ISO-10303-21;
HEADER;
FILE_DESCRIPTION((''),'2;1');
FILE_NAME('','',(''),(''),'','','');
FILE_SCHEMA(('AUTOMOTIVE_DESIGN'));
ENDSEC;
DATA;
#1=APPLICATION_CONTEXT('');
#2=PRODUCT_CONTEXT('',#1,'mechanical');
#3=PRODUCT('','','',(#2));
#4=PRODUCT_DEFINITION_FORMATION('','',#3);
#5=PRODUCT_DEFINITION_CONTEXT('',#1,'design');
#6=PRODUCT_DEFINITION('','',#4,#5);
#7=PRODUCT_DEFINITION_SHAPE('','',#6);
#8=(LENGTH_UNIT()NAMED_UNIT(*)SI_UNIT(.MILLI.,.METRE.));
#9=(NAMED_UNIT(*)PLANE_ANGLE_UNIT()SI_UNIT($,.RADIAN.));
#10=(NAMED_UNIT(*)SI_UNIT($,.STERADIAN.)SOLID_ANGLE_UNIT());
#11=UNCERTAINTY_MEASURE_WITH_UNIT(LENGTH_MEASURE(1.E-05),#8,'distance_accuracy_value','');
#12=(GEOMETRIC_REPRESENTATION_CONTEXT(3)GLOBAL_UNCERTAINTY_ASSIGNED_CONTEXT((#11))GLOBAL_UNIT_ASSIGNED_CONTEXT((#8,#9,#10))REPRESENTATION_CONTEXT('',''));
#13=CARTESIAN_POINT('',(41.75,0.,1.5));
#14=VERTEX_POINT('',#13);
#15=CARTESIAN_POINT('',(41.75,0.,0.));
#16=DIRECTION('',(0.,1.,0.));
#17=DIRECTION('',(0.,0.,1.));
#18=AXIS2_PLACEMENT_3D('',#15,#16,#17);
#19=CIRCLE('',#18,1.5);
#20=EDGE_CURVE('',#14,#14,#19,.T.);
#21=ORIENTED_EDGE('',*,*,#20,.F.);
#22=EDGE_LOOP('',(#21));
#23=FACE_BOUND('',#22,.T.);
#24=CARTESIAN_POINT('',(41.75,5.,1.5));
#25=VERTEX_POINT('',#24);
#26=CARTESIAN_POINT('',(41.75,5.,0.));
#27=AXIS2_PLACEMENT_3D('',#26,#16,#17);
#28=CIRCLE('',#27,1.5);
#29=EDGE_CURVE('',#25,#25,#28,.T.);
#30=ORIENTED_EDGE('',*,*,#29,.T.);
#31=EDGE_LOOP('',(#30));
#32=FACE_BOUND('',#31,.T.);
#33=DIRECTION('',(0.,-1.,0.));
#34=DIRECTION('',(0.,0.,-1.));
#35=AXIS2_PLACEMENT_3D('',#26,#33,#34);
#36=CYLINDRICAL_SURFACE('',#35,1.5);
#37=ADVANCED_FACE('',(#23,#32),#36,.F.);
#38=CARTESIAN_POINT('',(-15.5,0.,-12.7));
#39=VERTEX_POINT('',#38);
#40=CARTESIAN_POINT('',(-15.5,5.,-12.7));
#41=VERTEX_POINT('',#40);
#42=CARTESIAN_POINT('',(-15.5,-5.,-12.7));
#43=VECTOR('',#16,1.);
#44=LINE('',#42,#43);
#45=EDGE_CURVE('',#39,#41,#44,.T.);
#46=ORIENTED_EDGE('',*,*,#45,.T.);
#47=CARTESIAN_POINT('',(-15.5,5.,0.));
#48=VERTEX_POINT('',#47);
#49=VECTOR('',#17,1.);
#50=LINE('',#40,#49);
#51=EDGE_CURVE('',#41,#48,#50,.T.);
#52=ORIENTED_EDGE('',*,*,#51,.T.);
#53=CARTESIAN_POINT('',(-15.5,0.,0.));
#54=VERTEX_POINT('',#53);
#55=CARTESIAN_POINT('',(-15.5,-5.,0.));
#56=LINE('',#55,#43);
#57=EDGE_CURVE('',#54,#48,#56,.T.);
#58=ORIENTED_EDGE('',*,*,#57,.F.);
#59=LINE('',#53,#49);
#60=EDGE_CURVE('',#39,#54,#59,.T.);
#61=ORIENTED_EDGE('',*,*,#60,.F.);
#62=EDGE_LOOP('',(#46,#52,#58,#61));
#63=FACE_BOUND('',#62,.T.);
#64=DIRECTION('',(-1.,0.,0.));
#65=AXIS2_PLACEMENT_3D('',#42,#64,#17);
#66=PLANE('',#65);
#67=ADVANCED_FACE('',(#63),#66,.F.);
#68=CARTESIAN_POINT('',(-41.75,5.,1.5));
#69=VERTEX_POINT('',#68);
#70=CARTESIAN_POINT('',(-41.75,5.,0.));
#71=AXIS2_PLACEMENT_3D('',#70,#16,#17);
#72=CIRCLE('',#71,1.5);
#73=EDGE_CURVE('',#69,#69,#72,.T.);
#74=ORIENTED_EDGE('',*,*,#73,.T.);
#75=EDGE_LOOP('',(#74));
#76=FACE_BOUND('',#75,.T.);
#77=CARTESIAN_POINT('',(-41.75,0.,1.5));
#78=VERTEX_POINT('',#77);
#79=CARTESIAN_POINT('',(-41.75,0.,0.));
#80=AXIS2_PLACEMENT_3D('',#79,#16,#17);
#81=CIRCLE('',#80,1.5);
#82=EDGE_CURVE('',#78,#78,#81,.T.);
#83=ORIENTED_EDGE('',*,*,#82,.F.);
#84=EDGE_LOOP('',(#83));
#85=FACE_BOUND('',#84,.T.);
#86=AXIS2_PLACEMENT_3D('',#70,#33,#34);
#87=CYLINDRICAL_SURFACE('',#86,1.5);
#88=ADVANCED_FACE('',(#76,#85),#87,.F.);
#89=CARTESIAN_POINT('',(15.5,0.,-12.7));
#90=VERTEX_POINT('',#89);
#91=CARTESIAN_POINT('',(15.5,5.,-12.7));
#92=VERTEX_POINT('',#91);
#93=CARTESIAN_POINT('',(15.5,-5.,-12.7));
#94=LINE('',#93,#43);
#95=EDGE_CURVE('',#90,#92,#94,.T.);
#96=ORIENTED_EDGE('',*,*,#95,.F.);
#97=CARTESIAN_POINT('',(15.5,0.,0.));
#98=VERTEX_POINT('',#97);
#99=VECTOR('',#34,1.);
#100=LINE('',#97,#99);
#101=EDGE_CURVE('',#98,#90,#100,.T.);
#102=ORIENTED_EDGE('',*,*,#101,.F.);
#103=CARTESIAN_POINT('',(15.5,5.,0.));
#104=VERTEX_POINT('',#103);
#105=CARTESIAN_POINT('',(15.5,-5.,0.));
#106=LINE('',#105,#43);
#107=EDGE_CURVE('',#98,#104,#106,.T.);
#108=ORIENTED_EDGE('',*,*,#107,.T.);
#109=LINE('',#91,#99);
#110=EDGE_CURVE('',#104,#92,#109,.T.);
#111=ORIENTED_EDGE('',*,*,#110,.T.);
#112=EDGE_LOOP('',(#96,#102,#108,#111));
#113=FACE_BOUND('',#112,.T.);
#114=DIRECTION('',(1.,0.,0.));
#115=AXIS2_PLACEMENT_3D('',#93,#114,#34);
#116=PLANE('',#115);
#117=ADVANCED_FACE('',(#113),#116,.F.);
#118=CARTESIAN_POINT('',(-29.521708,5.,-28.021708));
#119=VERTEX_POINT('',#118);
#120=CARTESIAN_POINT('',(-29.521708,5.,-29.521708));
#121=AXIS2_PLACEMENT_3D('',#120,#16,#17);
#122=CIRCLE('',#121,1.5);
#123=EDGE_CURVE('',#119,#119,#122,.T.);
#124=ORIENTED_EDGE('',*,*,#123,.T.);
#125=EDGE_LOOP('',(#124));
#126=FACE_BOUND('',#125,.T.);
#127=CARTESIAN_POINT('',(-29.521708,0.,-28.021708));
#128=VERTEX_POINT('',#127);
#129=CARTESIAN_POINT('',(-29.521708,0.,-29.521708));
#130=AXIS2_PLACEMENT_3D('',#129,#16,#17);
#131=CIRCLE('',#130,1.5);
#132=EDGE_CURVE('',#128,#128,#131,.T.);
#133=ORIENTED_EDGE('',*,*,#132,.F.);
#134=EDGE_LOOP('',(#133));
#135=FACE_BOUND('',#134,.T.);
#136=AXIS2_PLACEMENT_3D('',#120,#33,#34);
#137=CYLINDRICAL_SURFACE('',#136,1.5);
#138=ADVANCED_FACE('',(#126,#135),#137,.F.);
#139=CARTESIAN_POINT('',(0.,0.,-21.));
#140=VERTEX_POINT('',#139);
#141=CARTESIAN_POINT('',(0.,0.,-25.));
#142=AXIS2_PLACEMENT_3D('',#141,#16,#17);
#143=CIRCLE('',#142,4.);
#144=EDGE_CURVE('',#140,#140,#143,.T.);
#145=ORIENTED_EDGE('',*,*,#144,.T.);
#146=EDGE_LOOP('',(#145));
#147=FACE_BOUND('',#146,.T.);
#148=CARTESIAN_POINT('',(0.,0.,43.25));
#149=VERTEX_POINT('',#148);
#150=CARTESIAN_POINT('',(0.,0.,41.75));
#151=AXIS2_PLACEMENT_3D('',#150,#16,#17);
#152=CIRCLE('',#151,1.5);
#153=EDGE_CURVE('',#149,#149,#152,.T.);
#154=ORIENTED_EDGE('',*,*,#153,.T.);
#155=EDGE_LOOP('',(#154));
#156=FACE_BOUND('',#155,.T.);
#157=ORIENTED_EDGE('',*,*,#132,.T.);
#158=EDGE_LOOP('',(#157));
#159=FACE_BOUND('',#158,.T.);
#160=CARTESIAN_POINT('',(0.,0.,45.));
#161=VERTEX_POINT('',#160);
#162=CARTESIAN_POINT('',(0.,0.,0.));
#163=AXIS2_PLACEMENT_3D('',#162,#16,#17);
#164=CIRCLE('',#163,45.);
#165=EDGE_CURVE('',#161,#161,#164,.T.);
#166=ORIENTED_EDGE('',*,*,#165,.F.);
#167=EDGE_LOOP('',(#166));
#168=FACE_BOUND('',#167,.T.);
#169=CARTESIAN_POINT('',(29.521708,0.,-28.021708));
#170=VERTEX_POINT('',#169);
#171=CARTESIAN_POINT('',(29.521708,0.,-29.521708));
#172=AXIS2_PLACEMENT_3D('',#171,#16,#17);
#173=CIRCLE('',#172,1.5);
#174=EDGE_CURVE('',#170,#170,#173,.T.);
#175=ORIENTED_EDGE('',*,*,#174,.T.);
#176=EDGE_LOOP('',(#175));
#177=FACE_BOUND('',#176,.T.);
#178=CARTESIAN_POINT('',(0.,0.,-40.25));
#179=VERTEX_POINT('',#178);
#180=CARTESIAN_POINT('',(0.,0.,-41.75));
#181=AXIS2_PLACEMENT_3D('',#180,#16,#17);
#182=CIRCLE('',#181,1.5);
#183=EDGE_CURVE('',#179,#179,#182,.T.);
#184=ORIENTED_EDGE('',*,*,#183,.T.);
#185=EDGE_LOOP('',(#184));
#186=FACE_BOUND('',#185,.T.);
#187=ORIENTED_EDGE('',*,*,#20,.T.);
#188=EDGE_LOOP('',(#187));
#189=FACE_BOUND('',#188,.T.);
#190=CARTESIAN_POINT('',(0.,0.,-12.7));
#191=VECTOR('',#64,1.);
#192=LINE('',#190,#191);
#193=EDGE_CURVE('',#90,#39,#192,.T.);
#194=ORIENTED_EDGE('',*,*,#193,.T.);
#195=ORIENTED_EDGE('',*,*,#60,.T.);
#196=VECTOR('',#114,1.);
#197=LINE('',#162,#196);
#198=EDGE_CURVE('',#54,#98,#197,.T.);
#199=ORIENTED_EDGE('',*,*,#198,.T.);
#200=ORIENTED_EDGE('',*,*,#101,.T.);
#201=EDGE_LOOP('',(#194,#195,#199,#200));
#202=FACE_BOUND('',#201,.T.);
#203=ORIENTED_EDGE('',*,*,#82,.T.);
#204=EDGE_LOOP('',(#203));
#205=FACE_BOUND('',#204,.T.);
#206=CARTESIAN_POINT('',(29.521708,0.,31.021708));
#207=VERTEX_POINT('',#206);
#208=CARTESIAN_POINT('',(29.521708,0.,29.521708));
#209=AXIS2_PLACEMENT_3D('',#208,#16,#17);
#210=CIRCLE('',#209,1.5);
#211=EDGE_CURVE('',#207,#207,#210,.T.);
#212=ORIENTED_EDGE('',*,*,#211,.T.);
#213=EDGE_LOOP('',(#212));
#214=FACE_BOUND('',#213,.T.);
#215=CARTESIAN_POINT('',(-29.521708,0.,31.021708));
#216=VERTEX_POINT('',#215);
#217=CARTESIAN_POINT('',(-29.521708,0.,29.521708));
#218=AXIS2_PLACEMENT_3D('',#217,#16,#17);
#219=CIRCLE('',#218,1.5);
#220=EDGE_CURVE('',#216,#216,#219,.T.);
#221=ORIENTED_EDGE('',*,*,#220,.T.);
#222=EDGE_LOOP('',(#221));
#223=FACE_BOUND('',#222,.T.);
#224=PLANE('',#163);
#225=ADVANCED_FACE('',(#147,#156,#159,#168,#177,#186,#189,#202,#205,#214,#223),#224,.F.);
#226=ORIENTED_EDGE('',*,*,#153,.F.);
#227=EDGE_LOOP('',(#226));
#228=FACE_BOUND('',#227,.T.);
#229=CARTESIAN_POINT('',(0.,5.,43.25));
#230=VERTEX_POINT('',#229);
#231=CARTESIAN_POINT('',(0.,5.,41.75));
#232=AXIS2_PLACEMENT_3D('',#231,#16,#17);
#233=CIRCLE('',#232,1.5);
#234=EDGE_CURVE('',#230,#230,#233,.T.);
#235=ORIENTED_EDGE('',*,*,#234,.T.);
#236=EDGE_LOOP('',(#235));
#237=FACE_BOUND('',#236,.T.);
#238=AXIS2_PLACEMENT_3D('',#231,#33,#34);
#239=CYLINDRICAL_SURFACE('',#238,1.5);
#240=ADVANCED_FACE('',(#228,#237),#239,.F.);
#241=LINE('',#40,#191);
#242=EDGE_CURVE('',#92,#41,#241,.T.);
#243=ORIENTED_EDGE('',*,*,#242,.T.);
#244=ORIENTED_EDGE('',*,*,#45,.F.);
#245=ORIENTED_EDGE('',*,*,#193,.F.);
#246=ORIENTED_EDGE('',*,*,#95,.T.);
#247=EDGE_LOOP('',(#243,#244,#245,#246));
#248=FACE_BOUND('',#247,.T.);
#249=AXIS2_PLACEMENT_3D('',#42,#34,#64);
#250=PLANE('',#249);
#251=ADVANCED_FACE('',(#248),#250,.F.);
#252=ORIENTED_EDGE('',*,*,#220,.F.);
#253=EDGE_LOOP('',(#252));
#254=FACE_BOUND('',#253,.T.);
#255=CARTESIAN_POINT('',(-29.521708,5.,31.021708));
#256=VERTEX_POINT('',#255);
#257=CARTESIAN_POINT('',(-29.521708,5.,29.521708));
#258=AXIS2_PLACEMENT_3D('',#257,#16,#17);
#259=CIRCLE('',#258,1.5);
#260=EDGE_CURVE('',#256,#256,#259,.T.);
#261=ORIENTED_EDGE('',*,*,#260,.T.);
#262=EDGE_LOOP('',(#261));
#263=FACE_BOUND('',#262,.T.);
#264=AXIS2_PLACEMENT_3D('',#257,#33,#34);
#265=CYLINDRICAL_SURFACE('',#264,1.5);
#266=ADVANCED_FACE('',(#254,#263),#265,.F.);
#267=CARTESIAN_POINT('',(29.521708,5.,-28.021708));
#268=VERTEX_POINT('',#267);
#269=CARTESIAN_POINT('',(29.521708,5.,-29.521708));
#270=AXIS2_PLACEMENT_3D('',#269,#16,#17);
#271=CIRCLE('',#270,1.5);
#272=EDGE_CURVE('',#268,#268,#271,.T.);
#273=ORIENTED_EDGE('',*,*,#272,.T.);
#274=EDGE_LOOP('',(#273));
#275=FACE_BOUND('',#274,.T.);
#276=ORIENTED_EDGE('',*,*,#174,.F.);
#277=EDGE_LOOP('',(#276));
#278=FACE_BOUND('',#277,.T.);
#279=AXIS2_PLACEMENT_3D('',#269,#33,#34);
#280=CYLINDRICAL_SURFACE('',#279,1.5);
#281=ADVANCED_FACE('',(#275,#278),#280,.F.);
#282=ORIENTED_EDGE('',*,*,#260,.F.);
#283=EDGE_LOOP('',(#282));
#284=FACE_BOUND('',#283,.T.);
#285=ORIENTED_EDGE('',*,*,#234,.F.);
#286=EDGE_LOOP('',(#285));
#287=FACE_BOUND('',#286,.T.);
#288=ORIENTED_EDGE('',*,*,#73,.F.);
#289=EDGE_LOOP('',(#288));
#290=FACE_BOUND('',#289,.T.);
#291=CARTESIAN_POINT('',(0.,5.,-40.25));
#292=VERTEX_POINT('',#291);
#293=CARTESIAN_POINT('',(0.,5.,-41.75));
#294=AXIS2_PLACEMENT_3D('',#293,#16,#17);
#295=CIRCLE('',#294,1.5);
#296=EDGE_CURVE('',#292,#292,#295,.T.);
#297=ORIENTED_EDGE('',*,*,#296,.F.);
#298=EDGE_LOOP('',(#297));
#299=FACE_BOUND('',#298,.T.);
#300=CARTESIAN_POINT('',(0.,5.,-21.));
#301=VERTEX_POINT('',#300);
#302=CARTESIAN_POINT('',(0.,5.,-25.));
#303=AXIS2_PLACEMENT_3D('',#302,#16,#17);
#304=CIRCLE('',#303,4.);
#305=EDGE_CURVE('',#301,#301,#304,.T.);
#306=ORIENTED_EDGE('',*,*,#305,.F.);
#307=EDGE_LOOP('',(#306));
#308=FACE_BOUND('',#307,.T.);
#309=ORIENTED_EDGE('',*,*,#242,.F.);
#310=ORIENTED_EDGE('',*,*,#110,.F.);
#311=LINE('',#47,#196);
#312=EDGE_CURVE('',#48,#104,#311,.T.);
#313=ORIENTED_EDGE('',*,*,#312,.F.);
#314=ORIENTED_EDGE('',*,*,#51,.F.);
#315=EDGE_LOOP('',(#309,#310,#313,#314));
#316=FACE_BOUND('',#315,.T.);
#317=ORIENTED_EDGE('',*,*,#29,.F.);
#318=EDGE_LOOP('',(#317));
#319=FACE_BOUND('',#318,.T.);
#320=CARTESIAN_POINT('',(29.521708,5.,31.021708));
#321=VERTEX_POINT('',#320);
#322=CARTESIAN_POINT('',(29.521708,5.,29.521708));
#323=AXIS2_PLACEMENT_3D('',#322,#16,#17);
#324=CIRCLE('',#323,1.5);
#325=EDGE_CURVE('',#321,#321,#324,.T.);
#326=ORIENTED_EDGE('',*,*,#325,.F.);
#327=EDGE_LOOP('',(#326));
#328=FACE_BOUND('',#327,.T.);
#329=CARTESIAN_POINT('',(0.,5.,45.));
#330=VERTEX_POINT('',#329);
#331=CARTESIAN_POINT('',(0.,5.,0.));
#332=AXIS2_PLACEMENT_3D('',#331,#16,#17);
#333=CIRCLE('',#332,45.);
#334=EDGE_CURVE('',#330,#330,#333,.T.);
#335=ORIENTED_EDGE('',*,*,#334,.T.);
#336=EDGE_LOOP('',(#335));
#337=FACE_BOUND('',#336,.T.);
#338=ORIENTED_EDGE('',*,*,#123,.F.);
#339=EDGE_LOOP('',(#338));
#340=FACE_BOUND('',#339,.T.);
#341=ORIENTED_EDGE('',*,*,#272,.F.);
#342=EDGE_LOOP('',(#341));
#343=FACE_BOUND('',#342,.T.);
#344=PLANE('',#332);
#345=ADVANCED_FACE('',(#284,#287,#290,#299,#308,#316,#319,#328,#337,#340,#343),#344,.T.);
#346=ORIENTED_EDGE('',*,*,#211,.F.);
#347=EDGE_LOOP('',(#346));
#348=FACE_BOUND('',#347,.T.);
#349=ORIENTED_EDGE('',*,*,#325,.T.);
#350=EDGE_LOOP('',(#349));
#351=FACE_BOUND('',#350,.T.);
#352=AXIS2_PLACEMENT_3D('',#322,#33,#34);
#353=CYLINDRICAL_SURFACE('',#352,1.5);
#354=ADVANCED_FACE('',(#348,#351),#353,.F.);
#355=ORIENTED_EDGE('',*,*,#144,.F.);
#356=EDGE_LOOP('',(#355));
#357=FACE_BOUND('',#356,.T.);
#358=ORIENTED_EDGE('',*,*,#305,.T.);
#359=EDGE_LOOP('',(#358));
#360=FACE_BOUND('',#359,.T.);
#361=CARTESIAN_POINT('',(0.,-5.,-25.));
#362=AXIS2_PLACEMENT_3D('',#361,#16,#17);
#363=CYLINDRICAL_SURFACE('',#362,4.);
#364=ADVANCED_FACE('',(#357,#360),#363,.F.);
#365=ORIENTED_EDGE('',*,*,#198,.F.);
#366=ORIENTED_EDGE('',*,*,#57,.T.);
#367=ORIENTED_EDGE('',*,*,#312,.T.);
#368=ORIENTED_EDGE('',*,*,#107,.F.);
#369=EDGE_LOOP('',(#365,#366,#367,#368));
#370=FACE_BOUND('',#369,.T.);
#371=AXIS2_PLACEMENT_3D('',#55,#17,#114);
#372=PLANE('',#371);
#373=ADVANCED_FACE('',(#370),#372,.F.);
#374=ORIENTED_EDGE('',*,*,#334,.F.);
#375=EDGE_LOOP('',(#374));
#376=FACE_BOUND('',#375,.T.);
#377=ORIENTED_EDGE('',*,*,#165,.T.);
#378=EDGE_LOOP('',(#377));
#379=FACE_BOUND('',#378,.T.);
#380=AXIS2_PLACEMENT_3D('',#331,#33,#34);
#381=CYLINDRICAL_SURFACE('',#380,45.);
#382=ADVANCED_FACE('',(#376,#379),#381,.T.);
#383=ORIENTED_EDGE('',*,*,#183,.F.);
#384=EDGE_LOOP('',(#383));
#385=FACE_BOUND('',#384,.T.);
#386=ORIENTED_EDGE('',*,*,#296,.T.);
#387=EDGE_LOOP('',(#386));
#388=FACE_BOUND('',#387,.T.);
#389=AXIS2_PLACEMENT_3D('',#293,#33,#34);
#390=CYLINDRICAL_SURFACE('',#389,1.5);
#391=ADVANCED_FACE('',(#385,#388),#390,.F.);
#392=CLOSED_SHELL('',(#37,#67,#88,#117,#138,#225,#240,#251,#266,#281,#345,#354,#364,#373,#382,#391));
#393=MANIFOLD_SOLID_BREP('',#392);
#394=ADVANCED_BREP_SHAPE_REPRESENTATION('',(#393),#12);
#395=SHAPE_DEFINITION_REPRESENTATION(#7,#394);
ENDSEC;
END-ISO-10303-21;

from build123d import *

# Parameters (mm, degrees)
SKETCH1_R           = 45
SKETCH1_R_2         = 1.5
BOSS_EXTRUDE2_DEPTH = 5
SKETCH2_W           = 31
SKETCH2_H           = 12.7
CUT_EXTRUDE2_DEPTH  = 10
SKETCH4_R           = 4
CUT_EXTRUDE6_DEPTH  = 10


with BuildPart() as part:
    # Sketch1 → Boss-Extrude2 (new body)
    with BuildSketch(Plane(origin=(0, 0, 0), x_dir=(1, 0, 0), z_dir=(0, 1, 0))):
        with Locations(Location((0, 0, 0), (0, 0, 270))):
            Circle(SKETCH1_R)
        with Locations(Location((0, 41.75, 0), (0, 0, 270))):
            Circle(SKETCH1_R_2, mode=Mode.SUBTRACT)
        with Locations(Location((29.521708115, 29.521708115, 0), (0, 0, 270))):
            Circle(SKETCH1_R_2, mode=Mode.SUBTRACT)
        with Locations(Location((41.75, 0, 0), (0, 0, 270))):
            Circle(SKETCH1_R_2, mode=Mode.SUBTRACT)
        with Locations(Location((29.521708115, -29.521708115, 0), (0, 0, 270))):
            Circle(SKETCH1_R_2, mode=Mode.SUBTRACT)
        with Locations(Location((0, -41.75, 0), (0, 0, 270))):
            Circle(SKETCH1_R_2, mode=Mode.SUBTRACT)
        with Locations(Location((-29.521708115, -29.521708115, 0), (0, 0, 270))):
            Circle(SKETCH1_R_2, mode=Mode.SUBTRACT)
        with Locations(Location((-41.75, 0, 0), (0, 0, 270))):
            Circle(SKETCH1_R_2, mode=Mode.SUBTRACT)
        with Locations(Location((-29.521708115, 29.521708115, 0), (0, 0, 270))):
            Circle(SKETCH1_R_2, mode=Mode.SUBTRACT)
    extrude(amount=BOSS_EXTRUDE2_DEPTH)

    # Sketch2 → Cut-Extrude2 (cut)
    with BuildSketch(Plane(origin=(0, 5, 0), x_dir=(1, 0, 0), z_dir=(0, 1, 0))):
        with Locations((0, 6.35)):
            Rectangle(SKETCH2_W, SKETCH2_H)
    extrude(amount=-CUT_EXTRUDE2_DEPTH, mode=Mode.SUBTRACT)

    # Sketch4 → Cut-Extrude6 (cut)
    with BuildSketch(Plane(origin=(0, 5, 0), x_dir=(1, 0, 0), z_dir=(0, 1, 0))):
        with Locations(Location((0, 25, 0), (0, 0, 270))):
            Circle(SKETCH4_R)
    extrude(amount=-CUT_EXTRUDE6_DEPTH, mode=Mode.SUBTRACT)


solid = part.part
